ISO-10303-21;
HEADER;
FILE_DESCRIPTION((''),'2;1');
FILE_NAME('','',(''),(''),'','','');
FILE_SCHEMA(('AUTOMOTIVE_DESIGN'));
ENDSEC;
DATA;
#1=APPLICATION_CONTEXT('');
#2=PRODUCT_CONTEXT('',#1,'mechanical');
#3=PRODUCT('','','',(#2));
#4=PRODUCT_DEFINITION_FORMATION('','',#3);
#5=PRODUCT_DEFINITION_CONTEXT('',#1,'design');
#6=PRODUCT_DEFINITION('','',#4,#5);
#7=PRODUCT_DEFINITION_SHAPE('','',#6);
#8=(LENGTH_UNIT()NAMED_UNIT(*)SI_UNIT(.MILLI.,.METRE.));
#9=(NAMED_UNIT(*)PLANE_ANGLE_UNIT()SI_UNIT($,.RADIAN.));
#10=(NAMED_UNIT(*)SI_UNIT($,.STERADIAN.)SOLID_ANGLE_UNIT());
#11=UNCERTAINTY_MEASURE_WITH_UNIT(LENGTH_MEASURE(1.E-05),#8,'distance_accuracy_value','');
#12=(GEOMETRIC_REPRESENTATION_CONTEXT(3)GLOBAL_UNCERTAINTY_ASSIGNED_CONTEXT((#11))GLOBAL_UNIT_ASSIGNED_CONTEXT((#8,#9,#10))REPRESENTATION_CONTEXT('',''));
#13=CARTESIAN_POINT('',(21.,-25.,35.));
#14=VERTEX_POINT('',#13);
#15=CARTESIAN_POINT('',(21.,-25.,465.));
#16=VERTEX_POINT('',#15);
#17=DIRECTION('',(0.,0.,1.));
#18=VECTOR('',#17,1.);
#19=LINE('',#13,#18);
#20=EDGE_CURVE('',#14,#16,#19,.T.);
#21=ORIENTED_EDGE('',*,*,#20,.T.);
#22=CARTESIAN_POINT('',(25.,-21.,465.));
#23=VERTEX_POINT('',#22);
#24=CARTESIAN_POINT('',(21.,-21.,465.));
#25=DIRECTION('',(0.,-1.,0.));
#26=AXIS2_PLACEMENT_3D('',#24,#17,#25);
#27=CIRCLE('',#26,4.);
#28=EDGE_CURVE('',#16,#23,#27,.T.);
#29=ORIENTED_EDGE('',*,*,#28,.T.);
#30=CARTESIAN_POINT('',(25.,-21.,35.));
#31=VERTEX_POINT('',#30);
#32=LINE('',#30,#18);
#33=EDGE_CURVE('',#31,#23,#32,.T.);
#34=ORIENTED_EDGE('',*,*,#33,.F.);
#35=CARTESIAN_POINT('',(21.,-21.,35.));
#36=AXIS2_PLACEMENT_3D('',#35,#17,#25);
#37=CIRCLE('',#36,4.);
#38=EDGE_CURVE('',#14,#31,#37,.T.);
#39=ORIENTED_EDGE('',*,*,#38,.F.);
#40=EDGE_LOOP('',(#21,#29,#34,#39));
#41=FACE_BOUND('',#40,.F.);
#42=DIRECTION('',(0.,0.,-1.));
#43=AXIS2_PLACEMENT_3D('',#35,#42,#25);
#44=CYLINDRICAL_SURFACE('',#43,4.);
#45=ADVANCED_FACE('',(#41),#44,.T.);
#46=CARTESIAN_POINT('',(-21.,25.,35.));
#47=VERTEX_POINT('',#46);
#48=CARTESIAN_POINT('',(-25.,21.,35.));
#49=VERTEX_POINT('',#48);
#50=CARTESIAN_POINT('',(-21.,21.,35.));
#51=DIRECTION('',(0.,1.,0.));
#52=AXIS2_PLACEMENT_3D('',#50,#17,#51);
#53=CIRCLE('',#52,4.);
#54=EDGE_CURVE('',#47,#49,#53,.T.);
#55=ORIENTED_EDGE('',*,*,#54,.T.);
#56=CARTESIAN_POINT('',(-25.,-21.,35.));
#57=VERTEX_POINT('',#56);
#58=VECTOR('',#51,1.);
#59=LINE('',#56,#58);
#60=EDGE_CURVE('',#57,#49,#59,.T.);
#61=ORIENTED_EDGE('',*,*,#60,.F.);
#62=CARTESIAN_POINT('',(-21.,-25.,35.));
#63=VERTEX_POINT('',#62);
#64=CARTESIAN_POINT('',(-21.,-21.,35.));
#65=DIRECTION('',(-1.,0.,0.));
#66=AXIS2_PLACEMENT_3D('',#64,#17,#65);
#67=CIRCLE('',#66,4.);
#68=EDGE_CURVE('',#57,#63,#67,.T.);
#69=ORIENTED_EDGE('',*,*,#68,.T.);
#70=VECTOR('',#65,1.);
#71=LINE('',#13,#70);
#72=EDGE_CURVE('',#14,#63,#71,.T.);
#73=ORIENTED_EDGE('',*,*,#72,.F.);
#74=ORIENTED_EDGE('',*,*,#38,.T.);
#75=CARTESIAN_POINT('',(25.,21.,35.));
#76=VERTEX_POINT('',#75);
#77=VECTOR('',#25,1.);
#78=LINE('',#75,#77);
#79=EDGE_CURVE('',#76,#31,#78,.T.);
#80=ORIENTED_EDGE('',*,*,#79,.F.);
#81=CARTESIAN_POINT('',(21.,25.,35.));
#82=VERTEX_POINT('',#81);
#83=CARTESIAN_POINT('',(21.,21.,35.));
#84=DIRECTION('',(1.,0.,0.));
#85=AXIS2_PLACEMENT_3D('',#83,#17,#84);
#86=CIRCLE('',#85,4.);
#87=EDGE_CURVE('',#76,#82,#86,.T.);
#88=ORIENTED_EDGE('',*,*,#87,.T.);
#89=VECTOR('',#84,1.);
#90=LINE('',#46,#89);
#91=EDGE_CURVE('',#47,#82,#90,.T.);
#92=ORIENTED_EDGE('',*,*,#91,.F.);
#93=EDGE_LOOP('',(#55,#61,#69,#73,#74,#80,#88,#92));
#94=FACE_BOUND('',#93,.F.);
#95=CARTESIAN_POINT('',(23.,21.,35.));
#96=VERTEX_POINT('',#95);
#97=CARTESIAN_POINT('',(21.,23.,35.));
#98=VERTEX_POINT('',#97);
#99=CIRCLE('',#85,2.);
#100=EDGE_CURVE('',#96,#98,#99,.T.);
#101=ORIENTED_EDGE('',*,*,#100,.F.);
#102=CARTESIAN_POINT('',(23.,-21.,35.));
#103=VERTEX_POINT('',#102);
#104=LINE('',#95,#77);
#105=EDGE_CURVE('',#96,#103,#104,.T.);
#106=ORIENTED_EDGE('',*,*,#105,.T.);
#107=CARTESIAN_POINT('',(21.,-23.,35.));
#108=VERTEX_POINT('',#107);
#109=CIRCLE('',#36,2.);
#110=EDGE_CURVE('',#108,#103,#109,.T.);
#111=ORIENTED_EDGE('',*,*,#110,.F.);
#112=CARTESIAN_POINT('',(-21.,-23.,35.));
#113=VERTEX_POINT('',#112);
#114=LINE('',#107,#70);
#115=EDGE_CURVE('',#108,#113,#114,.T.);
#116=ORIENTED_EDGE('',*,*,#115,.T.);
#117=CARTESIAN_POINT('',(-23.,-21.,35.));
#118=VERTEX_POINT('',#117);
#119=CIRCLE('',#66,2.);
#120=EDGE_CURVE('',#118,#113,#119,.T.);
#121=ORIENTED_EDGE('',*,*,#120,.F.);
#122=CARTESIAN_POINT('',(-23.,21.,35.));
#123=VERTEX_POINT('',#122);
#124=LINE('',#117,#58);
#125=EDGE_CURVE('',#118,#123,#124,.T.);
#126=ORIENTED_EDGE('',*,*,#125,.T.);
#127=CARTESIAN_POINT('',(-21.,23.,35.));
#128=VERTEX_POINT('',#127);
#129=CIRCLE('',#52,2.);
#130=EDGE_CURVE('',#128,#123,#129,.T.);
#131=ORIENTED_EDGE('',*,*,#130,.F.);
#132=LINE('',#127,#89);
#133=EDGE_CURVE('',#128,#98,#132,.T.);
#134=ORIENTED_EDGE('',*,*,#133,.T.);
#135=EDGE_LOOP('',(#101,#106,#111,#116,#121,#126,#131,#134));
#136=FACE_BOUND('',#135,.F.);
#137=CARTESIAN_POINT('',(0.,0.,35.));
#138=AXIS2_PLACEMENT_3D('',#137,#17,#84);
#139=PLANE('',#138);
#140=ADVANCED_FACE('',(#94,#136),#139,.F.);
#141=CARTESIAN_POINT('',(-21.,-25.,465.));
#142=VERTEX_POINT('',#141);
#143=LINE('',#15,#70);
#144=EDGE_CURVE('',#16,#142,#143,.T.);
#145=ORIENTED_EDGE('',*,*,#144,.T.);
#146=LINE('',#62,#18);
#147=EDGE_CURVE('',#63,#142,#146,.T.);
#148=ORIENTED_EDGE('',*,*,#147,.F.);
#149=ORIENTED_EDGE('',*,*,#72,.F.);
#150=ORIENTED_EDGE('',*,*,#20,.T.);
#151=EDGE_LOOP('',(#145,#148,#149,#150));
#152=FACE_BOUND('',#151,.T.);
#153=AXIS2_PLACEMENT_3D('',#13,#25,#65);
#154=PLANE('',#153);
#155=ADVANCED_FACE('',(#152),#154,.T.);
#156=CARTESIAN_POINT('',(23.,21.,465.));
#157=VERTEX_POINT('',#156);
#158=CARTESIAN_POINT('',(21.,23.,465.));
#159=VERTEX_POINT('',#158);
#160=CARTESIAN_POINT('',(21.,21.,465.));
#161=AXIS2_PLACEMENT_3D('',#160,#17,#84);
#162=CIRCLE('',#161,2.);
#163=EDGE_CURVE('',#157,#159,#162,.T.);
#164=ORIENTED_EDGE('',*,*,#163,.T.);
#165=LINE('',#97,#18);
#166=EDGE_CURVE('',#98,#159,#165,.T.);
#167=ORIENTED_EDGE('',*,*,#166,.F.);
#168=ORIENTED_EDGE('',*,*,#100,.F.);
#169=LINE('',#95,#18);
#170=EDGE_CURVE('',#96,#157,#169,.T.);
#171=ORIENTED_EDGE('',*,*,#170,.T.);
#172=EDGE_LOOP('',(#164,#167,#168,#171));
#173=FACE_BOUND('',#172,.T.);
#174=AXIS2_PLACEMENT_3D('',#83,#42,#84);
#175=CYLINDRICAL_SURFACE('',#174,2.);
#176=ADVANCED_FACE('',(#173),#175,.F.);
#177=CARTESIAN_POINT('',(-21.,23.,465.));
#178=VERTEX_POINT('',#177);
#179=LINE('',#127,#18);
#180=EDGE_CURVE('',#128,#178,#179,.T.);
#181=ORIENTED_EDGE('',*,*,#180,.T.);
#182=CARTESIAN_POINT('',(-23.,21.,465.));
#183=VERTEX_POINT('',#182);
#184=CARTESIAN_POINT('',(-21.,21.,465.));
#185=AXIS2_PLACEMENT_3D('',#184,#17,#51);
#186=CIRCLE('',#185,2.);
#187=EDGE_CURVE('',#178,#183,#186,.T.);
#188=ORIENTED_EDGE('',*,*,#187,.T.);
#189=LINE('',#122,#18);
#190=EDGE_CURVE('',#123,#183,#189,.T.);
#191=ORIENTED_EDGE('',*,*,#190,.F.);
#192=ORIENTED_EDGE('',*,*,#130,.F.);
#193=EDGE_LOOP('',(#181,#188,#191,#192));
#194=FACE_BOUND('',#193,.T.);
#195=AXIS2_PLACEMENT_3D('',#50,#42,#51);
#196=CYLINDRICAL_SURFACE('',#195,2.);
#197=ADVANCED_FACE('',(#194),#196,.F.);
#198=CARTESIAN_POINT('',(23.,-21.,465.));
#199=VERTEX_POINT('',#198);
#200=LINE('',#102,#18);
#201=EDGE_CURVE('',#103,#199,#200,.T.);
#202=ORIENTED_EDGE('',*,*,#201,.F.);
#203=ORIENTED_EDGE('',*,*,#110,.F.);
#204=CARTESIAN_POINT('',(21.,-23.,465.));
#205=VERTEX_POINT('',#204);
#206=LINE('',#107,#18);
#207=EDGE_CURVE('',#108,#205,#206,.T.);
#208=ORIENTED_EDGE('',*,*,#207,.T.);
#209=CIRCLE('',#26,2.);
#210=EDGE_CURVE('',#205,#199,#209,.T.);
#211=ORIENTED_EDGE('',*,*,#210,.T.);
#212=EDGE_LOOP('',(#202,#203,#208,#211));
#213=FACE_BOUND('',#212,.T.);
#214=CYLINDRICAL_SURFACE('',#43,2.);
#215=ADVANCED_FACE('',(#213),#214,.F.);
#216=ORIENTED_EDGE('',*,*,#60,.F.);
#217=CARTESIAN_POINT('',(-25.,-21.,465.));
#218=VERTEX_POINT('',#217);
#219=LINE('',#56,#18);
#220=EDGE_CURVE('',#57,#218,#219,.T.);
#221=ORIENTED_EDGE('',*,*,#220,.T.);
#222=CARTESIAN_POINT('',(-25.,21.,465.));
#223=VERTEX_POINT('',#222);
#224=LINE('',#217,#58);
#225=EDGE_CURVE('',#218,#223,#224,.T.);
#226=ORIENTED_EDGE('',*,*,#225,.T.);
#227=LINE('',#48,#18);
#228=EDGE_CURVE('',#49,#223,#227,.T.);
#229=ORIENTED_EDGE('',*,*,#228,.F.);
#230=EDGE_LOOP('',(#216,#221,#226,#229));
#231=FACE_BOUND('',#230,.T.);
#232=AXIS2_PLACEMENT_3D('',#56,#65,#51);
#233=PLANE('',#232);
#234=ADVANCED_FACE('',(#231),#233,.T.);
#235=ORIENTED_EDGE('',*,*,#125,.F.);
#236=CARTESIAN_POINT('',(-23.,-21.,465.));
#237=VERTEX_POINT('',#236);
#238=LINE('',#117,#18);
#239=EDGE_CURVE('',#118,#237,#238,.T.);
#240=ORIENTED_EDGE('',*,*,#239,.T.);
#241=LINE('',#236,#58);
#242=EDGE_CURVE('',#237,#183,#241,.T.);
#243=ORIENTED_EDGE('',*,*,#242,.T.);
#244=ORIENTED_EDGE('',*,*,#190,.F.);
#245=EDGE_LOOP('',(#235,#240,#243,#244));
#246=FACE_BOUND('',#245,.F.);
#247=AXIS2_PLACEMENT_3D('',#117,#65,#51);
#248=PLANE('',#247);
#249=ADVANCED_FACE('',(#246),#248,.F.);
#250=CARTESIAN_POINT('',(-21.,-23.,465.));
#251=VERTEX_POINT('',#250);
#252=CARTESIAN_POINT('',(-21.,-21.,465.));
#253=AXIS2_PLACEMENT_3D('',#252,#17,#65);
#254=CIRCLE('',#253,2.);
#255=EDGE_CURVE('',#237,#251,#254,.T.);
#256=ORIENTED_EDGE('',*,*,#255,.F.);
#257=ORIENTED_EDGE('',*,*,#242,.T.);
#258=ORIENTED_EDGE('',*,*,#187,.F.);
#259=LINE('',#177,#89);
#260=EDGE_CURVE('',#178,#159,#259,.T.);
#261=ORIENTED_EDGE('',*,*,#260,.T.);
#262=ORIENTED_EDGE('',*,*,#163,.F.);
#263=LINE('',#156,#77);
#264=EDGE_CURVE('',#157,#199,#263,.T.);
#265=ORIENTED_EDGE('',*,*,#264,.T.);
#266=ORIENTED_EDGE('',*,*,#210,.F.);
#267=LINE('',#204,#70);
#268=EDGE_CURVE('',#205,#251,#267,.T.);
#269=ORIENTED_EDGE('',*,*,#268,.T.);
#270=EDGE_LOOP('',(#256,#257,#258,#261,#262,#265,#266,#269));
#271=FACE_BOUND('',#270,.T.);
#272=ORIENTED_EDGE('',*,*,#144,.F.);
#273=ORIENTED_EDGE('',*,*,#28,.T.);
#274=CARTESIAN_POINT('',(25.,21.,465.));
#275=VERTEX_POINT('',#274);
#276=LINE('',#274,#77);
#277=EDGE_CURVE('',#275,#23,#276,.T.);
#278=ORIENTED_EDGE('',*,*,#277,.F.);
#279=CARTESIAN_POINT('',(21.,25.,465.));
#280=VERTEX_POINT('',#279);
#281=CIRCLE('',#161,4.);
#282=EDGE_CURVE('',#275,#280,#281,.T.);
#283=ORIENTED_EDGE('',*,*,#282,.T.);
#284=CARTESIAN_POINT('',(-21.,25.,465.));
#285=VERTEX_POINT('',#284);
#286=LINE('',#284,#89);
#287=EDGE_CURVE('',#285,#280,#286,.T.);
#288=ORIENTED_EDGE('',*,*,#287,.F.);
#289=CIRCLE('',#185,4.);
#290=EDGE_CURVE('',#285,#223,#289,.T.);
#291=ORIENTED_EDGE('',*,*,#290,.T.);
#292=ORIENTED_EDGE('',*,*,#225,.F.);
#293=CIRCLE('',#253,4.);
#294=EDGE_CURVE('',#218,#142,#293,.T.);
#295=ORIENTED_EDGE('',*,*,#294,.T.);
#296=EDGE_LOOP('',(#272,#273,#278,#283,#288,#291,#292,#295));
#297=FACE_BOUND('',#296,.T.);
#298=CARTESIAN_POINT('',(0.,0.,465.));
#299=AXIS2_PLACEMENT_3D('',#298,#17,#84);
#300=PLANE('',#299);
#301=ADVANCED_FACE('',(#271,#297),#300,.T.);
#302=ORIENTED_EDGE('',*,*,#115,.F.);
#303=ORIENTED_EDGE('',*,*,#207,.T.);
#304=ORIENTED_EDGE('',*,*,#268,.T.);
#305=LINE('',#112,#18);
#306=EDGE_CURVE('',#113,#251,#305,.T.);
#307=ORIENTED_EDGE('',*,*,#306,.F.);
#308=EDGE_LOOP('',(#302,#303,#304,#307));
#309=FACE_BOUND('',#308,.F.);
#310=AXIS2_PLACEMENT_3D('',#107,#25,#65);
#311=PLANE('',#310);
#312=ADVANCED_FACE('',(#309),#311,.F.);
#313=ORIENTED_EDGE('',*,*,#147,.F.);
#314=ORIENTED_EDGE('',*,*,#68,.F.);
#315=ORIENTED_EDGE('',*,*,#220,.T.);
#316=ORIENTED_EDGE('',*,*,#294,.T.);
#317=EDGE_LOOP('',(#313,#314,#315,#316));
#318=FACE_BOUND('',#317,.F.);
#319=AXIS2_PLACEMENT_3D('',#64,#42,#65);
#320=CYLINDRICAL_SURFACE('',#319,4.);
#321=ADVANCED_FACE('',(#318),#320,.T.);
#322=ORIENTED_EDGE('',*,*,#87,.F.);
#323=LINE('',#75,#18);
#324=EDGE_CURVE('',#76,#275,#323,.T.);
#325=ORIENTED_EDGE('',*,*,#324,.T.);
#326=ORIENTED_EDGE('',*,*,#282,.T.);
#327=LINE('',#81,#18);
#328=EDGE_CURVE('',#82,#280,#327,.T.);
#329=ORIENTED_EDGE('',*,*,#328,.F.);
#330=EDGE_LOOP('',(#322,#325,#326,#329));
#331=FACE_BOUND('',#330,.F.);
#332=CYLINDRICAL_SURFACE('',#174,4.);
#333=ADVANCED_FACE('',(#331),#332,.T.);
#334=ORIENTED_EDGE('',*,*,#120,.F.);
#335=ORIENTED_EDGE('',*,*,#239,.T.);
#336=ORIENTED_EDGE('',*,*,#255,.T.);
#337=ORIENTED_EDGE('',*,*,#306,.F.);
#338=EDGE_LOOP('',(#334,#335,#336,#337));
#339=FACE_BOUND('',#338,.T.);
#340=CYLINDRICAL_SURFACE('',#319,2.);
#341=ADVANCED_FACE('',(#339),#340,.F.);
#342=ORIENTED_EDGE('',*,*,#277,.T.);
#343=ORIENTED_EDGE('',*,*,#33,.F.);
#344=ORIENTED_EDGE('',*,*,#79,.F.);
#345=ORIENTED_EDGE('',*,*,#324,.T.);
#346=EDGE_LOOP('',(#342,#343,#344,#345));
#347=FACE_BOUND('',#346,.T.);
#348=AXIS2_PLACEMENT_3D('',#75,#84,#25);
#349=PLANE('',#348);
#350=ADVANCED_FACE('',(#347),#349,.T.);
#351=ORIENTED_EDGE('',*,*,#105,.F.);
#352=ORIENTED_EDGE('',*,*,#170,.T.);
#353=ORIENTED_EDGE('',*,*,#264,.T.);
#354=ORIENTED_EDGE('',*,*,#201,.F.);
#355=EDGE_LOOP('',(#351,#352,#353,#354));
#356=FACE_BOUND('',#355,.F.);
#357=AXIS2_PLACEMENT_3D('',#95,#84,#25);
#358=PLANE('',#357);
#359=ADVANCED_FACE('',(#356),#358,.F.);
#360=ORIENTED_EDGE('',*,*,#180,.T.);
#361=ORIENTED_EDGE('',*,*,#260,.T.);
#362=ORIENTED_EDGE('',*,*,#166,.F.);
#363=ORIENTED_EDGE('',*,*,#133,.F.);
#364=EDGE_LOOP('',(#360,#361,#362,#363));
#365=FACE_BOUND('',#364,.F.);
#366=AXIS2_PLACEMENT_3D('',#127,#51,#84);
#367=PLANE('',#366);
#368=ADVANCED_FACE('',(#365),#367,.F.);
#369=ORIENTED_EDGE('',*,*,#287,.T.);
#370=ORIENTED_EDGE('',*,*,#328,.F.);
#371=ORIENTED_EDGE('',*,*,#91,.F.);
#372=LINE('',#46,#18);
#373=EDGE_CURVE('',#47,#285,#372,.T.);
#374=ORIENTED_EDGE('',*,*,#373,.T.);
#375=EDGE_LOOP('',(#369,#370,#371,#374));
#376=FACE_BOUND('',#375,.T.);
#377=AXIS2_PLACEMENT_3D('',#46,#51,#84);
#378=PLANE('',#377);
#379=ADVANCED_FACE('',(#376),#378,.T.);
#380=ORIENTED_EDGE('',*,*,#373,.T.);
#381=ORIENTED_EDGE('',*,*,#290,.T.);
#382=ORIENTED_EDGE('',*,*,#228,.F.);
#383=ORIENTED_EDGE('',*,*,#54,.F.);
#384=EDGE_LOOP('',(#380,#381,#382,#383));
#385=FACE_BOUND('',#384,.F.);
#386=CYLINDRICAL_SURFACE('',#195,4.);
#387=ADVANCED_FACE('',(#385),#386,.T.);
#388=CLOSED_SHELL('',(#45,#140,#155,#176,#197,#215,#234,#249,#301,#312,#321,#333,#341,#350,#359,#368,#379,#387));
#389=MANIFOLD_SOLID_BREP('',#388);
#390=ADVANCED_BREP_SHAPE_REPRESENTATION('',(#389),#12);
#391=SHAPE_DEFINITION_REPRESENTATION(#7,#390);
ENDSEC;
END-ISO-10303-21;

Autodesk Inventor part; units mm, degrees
ref_plane "Start Plane" through (0, 0, 35) normal (0, 0, 1) x (1, 0, 0)
ref_plane "End Plane" through (0, 0, 465) normal (0, 0, 1) x (1, 0, 0)
sketch "Sketch" plane through (0, 0, 0) normal (0, 0, 1) x (1, 0, 0)
  line L0 (-25, -21) -> (-25, 21)
  line L1 (-21, 25) -> (21, 25)
  line L2 (25, 21) -> (25, -21)
  line L3 (21, -25) -> (-21, -25)
  arc A0 (-25, -21) -> (-21, -25) centre (-21, -21) ccw
  arc A1 (25, 21) -> (21, 25) centre (21, 21) ccw
  arc A2 (-21, 25) -> (-25, 21) centre (-21, 21) ccw
  arc A3 (21, -25) -> (25, -21) centre (21, -21) ccw
  arc A4 (-21, 23) -> (-23, 21) centre (-21, 21) ccw
  line L4 (-21, 23) -> (21, 23)
  arc A5 (23, 21) -> (21, 23) centre (21, 21) ccw
  line L5 (23, 21) -> (23, -21)
  arc A6 (21, -23) -> (23, -21) centre (21, -21) ccw
  line L6 (21, -23) -> (-21, -23)
  arc A7 (-23, -21) -> (-21, -23) centre (-21, -21) ccw
  line L7 (-23, -21) -> (-23, 21)
  line L8 (0, 36.1598) -> (0, -36.1598) construction
  line L9 (-36.1598, 0) -> (36.1598, 0) construction
  dimension "d7" = 4
  dimension "d9" = 50
  dimension "d11" = 50
  dimension "d12" = 2
  dimension "d15" = 25
  dimension "d16" = 25
extrude "Body" add sketch "Sketch" along normal up to surface (430 mm away) from surface at 35
sketch "Sketch3" plane through (0, 0, 0) normal (0, 0, 1) x (1, 0, 0)
  line L0 (0, 0) -> (10, 0)
ref_plane "Work Plane3" through (0, 0, 0) normal (0, -1, 0) x (1, 0, 0)
sketch "Sketch4" plane through (0, 0, 0) normal (0, -1, 0) x (1, 0, 0)
  line L0 (-2, 35) -> (12, 35)
  line L1 (-2, 465) -> (12, 465)
  dimension "d18" = 430
ref_plane "Work Plane4" through (2315, 29, 35) normal (0, 0, -1) x (-1, 0, 0)
split "Split1" plane through (2315, 29, 35) removes the side toward (0, 0, -1)
ref_plane "Work Plane5" through (0, 29, 465) normal (0, 0, 1) x (1, 0, 0)
split "Split2" plane through (0, 29, 465) removes the side toward (0, 0, 1)
equation "\"d7\" = G_IR"
equation "\"d9\" = G_W"
equation "\"d11\" = G_H"
equation "\"d12\" = G_T"
equation "\"d15\" = 0.5 * d9"
equation "\"d16\" = 0.5 * d11"
equation "\"d3\" = G_L"
equation "\"G_W\" = 50"
equation "\"G_H\" = 50"
equation "\"G_T\" = 2"
equation "\"G_IR\" = 4"
equation "\"G_L\" = d18"
equation "\"G_OFFSET_START\" = -35"
equation "\"G_OFFSET_END\" = -35"
equation "\"d13\" = -G_OFFSET_START"
equation "\"d14\" = G_OFFSET_END + B_L"
equation "\"B_L\" = 500"
properties part number "ISO 10799-2 - 50x50x2 - 430" material "Galvanizado catalogo 1"
